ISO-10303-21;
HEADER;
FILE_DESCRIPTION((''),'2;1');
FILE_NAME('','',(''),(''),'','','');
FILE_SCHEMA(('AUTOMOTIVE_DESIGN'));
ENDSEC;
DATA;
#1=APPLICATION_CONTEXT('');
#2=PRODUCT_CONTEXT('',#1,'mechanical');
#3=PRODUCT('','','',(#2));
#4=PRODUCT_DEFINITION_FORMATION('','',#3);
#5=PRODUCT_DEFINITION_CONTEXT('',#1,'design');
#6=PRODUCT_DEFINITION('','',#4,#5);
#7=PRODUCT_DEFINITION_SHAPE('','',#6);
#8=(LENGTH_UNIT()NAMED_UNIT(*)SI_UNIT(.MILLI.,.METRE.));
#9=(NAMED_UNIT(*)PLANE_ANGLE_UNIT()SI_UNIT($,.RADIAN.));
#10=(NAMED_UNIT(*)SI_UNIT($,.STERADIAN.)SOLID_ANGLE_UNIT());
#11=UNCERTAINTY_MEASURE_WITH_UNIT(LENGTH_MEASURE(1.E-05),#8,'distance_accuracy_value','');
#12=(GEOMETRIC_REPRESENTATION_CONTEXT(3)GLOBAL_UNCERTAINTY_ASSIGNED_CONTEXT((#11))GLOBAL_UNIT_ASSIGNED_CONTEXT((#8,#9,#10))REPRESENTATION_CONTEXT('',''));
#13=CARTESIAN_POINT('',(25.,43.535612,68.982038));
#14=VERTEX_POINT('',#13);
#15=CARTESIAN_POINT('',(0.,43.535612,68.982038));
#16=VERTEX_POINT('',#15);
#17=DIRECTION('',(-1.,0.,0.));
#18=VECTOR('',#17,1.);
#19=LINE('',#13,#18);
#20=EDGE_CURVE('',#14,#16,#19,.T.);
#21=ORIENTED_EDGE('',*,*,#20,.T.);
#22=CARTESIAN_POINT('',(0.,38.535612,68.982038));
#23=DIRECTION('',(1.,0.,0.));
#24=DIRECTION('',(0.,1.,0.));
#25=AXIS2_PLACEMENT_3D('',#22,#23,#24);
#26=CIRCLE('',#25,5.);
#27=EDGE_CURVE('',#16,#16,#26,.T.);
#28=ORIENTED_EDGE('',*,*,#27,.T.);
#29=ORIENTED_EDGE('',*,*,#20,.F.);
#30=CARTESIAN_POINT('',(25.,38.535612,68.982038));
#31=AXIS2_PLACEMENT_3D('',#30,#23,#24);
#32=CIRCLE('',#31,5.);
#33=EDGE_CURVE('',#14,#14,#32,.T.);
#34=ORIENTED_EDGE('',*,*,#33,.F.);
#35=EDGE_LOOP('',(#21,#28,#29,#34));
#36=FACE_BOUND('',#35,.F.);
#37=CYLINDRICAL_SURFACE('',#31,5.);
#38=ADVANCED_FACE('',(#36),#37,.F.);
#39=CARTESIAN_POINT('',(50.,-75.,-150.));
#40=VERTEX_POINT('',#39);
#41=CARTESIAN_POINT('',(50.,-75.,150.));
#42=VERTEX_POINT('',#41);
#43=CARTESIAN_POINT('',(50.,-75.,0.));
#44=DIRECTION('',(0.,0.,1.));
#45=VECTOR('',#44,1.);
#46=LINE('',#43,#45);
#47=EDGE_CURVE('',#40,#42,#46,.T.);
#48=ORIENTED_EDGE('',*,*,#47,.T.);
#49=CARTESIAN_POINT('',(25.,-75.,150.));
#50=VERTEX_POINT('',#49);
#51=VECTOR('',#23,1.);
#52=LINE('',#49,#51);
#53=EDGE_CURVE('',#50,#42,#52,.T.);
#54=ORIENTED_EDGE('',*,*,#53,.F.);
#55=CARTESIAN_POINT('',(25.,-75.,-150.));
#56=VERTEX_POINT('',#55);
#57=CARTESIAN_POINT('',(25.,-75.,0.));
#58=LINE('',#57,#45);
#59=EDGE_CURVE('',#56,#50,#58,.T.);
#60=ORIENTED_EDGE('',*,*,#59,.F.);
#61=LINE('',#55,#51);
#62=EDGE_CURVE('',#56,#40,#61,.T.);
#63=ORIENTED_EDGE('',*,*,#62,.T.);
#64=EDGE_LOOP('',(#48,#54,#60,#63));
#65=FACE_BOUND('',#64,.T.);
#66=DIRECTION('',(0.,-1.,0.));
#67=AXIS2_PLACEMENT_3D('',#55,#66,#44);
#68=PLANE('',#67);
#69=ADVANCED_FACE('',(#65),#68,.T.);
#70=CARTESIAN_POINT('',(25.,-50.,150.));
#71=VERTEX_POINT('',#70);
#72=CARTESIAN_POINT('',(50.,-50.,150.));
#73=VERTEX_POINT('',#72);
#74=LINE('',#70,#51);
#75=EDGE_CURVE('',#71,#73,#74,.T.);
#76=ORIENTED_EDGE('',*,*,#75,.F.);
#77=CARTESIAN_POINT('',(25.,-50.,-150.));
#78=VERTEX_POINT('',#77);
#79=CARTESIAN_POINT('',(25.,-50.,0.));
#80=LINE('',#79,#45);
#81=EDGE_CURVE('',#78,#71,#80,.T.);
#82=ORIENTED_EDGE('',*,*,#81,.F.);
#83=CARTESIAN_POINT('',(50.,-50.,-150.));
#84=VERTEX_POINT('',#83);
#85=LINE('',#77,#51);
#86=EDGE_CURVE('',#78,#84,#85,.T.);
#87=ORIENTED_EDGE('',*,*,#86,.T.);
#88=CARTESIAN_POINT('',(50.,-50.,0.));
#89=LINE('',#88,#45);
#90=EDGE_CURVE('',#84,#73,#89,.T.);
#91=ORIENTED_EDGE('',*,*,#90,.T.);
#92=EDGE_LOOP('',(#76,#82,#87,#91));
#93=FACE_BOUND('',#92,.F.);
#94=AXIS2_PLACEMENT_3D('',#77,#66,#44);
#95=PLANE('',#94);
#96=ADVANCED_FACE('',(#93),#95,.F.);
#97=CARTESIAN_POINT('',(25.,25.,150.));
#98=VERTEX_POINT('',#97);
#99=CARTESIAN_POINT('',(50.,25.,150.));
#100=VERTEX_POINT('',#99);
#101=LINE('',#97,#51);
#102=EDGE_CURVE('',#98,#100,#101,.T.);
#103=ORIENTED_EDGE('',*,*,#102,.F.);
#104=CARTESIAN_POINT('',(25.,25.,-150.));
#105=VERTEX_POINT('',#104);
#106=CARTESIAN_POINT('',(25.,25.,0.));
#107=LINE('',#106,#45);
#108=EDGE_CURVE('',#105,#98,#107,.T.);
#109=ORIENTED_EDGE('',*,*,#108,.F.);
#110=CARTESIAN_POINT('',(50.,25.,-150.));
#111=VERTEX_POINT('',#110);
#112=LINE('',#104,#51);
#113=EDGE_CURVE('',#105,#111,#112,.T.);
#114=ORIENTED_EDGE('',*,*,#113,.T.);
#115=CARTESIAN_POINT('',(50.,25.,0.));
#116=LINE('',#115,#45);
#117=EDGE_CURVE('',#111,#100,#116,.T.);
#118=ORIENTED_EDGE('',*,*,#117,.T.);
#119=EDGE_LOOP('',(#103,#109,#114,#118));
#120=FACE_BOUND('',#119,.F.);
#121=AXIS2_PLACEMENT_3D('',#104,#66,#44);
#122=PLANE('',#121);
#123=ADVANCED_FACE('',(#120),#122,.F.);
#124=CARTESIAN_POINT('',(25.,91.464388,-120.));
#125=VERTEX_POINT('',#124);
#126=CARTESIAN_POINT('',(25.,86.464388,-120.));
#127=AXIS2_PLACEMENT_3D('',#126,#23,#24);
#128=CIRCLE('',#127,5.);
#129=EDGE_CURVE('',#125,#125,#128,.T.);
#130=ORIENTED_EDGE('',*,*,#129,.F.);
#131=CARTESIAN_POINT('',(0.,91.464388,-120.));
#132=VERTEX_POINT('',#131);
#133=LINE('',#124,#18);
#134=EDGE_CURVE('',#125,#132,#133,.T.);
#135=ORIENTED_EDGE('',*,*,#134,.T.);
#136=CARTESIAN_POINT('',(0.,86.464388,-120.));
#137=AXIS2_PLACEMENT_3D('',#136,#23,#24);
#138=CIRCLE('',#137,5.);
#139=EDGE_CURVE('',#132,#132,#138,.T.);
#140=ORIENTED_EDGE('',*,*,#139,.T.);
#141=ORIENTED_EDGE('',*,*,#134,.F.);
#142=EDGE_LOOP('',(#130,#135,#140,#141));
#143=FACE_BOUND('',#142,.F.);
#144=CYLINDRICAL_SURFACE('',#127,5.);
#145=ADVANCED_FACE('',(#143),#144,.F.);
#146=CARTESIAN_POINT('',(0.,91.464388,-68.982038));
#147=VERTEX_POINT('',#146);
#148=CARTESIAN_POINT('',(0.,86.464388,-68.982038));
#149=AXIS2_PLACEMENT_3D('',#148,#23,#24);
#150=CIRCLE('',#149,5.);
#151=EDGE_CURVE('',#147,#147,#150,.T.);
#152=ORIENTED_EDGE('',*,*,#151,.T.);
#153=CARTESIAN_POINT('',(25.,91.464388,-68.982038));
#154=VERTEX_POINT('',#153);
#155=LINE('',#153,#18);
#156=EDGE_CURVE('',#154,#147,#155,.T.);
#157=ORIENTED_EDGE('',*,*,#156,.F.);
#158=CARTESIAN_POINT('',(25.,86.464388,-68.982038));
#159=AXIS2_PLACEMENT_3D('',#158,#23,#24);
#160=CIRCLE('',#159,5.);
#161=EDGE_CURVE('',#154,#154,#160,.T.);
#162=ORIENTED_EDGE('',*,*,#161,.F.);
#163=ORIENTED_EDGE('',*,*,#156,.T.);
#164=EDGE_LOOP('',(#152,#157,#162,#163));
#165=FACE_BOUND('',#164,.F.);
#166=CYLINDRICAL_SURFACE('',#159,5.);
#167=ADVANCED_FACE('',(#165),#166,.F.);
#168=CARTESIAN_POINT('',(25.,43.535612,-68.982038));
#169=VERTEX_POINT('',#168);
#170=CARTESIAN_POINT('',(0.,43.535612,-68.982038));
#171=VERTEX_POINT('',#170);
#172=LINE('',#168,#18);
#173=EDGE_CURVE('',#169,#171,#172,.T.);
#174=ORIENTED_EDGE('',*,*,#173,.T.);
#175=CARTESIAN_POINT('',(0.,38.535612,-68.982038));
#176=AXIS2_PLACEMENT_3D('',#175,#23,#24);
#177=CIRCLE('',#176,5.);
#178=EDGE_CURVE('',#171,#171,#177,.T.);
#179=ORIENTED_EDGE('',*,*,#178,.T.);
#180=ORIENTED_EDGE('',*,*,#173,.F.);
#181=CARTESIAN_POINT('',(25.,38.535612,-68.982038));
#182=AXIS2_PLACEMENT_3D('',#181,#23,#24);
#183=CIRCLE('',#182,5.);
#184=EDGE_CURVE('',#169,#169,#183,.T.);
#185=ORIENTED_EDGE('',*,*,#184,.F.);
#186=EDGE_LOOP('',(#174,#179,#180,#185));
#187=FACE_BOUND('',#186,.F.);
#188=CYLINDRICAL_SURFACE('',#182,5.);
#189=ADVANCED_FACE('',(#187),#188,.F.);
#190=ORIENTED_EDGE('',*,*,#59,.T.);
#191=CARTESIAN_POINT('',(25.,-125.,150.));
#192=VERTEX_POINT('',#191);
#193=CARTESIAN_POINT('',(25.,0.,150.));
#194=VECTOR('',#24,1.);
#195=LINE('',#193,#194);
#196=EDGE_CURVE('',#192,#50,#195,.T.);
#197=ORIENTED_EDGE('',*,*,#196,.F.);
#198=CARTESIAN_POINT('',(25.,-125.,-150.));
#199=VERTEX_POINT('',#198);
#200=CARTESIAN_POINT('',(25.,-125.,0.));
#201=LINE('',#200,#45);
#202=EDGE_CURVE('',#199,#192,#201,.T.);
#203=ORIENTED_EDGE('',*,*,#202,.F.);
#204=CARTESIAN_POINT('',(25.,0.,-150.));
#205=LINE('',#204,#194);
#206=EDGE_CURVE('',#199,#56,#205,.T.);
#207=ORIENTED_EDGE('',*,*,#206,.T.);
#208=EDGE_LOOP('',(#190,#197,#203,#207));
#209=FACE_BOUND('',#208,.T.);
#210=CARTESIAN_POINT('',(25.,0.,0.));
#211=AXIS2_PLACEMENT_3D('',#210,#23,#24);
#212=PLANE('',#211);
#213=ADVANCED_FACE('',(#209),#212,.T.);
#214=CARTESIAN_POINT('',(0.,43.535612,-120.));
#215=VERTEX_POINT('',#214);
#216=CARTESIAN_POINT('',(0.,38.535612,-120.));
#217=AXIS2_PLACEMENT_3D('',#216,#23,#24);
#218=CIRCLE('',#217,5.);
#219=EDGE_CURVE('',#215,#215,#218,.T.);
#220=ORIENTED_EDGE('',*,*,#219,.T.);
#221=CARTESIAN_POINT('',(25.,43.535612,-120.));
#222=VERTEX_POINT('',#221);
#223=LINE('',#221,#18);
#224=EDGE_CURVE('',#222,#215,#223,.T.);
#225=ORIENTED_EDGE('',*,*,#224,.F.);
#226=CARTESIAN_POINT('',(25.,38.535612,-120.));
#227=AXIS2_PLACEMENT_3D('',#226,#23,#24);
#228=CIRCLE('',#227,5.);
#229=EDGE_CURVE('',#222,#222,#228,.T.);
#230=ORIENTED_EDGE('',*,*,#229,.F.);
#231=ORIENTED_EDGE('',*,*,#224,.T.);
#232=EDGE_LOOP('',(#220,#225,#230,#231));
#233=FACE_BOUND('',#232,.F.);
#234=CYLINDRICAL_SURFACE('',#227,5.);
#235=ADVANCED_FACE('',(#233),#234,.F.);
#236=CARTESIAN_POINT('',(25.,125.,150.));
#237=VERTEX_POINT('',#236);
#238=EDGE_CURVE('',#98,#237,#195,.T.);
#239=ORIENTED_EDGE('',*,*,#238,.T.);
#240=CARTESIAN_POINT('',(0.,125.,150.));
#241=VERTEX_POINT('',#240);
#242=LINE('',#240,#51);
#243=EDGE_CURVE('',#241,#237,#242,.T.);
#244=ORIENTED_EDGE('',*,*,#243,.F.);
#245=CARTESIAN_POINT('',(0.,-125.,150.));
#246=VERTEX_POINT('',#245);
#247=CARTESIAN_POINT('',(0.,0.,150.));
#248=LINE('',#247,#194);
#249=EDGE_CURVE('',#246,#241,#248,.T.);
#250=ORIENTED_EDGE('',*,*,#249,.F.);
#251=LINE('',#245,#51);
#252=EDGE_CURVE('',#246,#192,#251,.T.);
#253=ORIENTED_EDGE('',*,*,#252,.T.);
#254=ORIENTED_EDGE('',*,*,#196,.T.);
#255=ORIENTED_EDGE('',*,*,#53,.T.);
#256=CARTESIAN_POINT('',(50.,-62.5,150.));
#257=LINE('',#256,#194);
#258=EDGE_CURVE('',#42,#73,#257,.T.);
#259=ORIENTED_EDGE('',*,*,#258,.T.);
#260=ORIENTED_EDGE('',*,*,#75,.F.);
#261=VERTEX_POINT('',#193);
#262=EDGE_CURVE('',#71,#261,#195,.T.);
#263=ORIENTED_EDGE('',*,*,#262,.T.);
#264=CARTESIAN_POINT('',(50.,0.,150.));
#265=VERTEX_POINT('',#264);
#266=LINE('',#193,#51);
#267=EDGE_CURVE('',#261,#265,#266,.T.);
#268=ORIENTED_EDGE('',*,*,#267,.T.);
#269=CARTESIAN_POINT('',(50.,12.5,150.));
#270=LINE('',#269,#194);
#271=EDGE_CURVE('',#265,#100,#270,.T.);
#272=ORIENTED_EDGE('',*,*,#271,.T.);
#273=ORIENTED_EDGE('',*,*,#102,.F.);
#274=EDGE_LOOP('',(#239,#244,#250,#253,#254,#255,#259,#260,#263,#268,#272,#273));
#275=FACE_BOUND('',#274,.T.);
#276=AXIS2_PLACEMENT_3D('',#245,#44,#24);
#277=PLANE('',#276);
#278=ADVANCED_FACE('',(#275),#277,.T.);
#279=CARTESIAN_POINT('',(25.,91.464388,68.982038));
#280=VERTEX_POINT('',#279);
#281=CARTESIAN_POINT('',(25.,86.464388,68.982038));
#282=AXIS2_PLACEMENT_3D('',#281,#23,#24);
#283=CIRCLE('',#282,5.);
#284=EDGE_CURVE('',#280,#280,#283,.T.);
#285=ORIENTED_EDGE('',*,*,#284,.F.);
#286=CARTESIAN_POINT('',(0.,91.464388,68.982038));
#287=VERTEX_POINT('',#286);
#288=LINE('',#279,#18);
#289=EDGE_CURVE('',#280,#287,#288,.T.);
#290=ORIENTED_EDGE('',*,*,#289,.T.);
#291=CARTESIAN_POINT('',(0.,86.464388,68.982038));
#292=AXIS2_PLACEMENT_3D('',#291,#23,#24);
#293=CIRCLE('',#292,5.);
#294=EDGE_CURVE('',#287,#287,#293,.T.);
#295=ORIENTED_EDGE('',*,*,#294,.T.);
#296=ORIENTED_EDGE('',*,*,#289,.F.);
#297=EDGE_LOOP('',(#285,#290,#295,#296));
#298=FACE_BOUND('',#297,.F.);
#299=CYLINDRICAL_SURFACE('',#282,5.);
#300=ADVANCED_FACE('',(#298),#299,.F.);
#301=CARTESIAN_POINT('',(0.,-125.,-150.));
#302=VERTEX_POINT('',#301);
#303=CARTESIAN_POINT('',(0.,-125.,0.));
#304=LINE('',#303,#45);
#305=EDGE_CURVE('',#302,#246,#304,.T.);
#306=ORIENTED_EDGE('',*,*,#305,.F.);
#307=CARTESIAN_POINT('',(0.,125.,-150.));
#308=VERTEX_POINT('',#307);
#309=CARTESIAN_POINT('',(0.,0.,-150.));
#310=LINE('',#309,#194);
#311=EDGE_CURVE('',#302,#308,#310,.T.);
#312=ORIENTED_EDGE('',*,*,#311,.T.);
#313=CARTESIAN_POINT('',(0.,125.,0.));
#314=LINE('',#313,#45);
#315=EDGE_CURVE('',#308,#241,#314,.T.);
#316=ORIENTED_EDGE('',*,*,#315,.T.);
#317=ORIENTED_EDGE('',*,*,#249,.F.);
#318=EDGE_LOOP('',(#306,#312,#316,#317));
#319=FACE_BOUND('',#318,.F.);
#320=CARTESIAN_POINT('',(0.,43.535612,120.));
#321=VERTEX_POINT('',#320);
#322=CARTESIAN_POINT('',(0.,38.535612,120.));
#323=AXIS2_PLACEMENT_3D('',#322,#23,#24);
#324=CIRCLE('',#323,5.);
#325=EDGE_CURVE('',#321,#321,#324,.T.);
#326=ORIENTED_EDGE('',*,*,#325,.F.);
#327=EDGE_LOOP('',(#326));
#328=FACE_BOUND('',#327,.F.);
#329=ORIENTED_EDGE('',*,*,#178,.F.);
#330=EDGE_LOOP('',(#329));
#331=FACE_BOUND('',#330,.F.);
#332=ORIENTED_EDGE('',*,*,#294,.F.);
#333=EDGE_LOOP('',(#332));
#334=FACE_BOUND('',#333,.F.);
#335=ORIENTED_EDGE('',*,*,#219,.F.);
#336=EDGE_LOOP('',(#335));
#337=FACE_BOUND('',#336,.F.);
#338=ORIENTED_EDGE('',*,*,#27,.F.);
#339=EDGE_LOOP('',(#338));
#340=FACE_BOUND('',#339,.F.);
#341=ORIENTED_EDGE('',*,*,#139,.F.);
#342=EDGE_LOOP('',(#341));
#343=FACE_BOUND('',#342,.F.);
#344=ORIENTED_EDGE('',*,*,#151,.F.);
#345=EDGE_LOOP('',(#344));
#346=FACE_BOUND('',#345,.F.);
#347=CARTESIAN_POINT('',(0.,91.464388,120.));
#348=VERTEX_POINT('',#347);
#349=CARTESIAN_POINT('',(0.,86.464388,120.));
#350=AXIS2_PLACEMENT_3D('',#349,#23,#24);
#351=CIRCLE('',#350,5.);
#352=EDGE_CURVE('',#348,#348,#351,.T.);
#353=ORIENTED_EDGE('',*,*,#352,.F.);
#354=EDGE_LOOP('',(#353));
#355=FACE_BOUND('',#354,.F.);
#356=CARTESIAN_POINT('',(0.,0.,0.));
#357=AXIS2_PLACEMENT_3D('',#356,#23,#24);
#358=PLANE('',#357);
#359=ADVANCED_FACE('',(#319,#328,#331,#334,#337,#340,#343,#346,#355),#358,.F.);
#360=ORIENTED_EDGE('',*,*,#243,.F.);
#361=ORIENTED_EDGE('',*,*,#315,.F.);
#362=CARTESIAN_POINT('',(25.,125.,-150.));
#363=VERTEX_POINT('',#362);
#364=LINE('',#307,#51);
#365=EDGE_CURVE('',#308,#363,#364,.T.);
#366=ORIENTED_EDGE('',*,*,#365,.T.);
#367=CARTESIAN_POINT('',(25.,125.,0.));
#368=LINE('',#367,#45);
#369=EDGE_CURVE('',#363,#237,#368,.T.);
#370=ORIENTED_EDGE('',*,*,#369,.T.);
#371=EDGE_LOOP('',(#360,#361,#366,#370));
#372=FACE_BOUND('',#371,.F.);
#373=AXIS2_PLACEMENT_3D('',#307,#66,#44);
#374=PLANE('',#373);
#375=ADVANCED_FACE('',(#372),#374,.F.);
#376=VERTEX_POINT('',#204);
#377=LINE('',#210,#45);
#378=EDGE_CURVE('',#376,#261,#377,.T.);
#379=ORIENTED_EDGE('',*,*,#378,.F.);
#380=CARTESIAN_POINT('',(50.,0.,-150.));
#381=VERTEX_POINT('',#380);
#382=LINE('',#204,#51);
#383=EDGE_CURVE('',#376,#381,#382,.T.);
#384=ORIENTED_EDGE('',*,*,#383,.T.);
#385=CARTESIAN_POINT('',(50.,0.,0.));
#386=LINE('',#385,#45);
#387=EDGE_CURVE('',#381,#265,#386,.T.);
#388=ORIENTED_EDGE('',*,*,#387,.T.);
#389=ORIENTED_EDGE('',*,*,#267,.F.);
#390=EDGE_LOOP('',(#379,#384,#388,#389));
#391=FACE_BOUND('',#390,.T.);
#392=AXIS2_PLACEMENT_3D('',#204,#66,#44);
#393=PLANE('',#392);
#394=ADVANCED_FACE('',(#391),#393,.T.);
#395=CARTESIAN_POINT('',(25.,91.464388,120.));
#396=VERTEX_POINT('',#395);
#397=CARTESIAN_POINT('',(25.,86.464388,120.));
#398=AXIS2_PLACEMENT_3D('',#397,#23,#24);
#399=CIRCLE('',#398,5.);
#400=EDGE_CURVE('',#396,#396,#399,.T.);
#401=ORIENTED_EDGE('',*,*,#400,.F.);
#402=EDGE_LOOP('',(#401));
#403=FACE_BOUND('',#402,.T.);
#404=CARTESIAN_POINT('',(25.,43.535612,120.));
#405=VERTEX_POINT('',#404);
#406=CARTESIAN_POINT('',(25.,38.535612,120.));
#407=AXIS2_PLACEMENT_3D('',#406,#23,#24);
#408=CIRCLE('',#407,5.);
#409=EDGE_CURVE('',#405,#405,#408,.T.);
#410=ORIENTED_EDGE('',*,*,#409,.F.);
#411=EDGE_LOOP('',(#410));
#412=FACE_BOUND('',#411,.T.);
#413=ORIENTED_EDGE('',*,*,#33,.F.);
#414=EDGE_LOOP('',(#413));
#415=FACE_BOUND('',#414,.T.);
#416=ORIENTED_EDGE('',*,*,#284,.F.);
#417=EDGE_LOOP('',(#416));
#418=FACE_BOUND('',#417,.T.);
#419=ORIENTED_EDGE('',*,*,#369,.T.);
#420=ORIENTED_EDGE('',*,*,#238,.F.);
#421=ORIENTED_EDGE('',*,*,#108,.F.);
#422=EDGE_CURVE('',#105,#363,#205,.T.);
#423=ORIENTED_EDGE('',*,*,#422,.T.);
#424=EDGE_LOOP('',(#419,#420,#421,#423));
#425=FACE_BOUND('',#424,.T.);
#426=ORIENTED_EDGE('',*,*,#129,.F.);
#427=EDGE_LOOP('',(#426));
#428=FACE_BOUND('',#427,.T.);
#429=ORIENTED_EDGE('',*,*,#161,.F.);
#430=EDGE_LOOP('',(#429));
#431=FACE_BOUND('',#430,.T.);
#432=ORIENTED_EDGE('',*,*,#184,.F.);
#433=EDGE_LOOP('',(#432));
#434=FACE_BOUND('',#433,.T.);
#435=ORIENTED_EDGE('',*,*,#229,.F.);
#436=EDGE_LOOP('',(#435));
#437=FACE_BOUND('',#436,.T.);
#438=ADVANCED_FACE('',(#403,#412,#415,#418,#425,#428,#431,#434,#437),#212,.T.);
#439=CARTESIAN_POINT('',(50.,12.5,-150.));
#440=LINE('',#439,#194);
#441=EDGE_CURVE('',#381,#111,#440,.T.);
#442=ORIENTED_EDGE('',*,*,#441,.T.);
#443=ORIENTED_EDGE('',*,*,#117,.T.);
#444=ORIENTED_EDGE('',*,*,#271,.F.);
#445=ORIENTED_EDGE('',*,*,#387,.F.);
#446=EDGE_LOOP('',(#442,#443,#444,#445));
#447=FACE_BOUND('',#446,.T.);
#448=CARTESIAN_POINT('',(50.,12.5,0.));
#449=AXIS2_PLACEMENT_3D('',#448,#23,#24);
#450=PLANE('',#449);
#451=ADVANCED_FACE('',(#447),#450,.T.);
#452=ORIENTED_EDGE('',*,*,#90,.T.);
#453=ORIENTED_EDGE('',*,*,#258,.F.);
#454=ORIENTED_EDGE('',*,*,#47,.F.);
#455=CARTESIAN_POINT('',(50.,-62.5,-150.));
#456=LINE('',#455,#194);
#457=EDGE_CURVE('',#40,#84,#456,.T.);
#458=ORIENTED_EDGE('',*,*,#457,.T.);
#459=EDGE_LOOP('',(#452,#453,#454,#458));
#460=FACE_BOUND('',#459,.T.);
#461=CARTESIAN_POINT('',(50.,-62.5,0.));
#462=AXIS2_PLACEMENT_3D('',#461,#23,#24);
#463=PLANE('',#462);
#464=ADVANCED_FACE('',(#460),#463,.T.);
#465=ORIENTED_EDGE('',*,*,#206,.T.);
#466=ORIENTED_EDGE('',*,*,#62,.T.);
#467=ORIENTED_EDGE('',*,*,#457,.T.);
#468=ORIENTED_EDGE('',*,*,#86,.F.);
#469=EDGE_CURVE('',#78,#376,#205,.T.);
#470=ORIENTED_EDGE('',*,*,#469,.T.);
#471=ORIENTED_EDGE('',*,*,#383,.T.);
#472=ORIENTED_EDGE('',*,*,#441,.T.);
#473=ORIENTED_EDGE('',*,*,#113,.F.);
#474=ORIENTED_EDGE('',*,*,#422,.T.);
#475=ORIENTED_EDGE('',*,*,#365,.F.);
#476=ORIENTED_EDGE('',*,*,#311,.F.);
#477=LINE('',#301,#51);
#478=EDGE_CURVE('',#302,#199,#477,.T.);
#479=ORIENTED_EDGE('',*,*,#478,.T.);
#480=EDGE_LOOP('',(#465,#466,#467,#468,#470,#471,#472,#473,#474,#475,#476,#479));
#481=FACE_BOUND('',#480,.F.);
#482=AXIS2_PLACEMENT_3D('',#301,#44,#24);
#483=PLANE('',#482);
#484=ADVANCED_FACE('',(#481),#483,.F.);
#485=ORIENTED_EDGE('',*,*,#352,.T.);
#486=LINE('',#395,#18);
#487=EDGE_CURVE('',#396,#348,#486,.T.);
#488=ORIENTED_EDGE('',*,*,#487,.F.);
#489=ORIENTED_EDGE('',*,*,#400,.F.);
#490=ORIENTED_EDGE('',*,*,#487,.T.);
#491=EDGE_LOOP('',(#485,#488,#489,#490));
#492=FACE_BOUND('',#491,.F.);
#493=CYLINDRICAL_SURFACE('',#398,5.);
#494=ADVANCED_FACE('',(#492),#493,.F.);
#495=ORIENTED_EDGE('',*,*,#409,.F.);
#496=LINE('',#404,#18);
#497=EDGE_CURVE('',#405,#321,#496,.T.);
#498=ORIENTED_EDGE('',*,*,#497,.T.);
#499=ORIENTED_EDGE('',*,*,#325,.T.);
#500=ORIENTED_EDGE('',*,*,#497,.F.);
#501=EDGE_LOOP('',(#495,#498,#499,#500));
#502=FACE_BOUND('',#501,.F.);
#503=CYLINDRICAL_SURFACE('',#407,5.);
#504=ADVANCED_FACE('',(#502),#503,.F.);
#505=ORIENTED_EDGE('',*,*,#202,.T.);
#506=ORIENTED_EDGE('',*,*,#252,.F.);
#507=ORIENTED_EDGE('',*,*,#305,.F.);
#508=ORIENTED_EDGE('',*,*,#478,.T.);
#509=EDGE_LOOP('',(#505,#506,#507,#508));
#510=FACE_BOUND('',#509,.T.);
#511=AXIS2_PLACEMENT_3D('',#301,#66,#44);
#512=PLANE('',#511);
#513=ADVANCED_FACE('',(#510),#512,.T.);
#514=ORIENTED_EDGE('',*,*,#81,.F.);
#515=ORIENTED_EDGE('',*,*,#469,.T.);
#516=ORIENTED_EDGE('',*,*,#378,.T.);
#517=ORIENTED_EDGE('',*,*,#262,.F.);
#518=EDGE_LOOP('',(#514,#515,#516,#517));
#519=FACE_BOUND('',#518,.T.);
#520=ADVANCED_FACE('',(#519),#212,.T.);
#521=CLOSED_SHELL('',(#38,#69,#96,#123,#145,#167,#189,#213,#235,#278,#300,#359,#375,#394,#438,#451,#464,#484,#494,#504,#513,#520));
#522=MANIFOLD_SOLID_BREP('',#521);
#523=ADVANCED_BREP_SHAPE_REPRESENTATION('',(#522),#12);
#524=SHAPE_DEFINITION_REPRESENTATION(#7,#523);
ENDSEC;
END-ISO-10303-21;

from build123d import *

# Parameters (mm, degrees)
F0_W     = 250
F0_H     = 300
F1_DEPTH = 25
F2_W     = 25
F2_H     = 300
F3_DEPTH = 25
F4_R     = 5
F5_DEPTH = 25


with BuildPart() as f1:
    # F0 (on Right) → F1 (new body)
    with BuildSketch(Plane.YZ):
        Rectangle(F0_W, F0_H)
    extrude(amount=F1_DEPTH)

    # F2 (on face) → F3 (join)
    with BuildSketch(Plane.YZ.offset(25)):
        with Locations((-62.5, 0)):
            Rectangle(F2_W, F2_H)
        with Locations((12.5, 0)):
            Rectangle(F2_W, F2_H)
    extrude(amount=F3_DEPTH)

    # F4 (on face) → F5 (cut, through all)
    with BuildSketch(Plane.YZ.offset(25)):
        with Locations((86.464388, 120)):
            Circle(F4_R)
        with Locations((38.535612, 68.982038)):
            Circle(F4_R)
        with Locations((38.535612, 120)):
            Circle(F4_R)
        with Locations((86.464388, 68.982038)):
            Circle(F4_R)
        with Locations((86.464388, -68.982038)):
            Circle(F4_R)
        with Locations((86.464388, -120)):
            Circle(F4_R)
        with Locations((38.535612, -120)):
            Circle(F4_R)
        with Locations((38.535612, -68.982038)):
            Circle(F4_R)
    extrude(amount=-F5_DEPTH, mode=Mode.SUBTRACT)


solid = f1.part
